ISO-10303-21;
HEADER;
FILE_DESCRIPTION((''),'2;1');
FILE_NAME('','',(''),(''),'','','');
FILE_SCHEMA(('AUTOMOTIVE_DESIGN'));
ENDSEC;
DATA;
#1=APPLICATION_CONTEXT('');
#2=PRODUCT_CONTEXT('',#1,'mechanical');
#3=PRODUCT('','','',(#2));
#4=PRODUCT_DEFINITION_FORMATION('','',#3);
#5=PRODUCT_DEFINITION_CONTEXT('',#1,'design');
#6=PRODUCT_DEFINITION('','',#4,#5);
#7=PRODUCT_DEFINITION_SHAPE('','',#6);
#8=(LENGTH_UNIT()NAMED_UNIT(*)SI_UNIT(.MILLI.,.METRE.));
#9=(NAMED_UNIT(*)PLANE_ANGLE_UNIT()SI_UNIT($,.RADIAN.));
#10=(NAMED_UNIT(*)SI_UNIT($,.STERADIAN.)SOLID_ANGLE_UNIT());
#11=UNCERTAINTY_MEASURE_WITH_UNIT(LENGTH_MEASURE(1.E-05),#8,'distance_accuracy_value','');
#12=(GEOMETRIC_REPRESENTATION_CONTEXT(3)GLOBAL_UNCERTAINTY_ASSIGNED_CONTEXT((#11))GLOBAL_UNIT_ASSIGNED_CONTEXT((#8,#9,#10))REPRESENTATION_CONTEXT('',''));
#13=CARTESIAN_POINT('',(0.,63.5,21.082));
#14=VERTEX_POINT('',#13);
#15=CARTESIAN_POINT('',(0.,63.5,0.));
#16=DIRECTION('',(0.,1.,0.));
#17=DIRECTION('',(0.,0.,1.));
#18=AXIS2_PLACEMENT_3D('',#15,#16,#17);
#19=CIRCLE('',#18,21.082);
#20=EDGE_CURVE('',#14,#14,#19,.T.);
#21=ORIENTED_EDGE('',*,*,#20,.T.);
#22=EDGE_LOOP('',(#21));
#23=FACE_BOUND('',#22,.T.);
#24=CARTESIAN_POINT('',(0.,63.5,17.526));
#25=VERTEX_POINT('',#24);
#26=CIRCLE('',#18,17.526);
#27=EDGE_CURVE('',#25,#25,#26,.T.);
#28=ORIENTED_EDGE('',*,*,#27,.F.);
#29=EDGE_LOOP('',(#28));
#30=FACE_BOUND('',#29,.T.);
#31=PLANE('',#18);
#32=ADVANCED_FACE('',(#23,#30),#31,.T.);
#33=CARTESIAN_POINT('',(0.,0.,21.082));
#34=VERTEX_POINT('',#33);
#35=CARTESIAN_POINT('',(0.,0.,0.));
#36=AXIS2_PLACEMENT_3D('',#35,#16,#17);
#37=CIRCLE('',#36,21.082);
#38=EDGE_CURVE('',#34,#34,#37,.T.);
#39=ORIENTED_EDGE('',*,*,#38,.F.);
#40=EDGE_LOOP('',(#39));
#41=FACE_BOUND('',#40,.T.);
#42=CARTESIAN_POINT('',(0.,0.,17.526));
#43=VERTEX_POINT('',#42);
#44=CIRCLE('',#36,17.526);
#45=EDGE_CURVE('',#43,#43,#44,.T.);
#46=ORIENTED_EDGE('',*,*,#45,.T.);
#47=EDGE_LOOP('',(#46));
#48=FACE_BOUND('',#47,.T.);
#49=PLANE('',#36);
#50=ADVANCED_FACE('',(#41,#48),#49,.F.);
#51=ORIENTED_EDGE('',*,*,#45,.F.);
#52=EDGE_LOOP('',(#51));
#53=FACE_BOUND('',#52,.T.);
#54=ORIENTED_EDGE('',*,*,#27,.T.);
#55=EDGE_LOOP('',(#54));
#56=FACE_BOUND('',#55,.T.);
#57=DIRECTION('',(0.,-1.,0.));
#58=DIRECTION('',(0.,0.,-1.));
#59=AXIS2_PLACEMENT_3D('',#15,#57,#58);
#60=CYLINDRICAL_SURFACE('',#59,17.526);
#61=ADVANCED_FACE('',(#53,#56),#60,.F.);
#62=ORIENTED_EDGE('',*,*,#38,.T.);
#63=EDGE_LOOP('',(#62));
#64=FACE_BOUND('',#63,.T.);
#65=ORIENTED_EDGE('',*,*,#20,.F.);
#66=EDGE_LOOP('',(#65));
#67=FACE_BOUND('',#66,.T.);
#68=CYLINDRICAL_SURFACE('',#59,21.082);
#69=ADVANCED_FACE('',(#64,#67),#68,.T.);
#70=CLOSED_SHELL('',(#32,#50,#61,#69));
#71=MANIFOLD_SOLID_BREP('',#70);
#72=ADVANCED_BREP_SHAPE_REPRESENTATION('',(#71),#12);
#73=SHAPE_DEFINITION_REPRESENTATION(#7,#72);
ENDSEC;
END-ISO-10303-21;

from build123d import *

# Parameters (mm, degrees)
SKETCH1_R           = 21.082
SKETCH1_R_2         = 17.526
BOSS_EXTRUDE1_DEPTH = 63.5


with BuildPart() as part:
    # Sketch1 → Boss-Extrude1 (new body)
    with BuildSketch(Plane(origin=(0, 0, 0), x_dir=(1, 0, 0), z_dir=(0, 1, 0))):
        Circle(SKETCH1_R)
        Circle(SKETCH1_R_2, mode=Mode.SUBTRACT)
    extrude(amount=BOSS_EXTRUDE1_DEPTH)


solid = part.part
